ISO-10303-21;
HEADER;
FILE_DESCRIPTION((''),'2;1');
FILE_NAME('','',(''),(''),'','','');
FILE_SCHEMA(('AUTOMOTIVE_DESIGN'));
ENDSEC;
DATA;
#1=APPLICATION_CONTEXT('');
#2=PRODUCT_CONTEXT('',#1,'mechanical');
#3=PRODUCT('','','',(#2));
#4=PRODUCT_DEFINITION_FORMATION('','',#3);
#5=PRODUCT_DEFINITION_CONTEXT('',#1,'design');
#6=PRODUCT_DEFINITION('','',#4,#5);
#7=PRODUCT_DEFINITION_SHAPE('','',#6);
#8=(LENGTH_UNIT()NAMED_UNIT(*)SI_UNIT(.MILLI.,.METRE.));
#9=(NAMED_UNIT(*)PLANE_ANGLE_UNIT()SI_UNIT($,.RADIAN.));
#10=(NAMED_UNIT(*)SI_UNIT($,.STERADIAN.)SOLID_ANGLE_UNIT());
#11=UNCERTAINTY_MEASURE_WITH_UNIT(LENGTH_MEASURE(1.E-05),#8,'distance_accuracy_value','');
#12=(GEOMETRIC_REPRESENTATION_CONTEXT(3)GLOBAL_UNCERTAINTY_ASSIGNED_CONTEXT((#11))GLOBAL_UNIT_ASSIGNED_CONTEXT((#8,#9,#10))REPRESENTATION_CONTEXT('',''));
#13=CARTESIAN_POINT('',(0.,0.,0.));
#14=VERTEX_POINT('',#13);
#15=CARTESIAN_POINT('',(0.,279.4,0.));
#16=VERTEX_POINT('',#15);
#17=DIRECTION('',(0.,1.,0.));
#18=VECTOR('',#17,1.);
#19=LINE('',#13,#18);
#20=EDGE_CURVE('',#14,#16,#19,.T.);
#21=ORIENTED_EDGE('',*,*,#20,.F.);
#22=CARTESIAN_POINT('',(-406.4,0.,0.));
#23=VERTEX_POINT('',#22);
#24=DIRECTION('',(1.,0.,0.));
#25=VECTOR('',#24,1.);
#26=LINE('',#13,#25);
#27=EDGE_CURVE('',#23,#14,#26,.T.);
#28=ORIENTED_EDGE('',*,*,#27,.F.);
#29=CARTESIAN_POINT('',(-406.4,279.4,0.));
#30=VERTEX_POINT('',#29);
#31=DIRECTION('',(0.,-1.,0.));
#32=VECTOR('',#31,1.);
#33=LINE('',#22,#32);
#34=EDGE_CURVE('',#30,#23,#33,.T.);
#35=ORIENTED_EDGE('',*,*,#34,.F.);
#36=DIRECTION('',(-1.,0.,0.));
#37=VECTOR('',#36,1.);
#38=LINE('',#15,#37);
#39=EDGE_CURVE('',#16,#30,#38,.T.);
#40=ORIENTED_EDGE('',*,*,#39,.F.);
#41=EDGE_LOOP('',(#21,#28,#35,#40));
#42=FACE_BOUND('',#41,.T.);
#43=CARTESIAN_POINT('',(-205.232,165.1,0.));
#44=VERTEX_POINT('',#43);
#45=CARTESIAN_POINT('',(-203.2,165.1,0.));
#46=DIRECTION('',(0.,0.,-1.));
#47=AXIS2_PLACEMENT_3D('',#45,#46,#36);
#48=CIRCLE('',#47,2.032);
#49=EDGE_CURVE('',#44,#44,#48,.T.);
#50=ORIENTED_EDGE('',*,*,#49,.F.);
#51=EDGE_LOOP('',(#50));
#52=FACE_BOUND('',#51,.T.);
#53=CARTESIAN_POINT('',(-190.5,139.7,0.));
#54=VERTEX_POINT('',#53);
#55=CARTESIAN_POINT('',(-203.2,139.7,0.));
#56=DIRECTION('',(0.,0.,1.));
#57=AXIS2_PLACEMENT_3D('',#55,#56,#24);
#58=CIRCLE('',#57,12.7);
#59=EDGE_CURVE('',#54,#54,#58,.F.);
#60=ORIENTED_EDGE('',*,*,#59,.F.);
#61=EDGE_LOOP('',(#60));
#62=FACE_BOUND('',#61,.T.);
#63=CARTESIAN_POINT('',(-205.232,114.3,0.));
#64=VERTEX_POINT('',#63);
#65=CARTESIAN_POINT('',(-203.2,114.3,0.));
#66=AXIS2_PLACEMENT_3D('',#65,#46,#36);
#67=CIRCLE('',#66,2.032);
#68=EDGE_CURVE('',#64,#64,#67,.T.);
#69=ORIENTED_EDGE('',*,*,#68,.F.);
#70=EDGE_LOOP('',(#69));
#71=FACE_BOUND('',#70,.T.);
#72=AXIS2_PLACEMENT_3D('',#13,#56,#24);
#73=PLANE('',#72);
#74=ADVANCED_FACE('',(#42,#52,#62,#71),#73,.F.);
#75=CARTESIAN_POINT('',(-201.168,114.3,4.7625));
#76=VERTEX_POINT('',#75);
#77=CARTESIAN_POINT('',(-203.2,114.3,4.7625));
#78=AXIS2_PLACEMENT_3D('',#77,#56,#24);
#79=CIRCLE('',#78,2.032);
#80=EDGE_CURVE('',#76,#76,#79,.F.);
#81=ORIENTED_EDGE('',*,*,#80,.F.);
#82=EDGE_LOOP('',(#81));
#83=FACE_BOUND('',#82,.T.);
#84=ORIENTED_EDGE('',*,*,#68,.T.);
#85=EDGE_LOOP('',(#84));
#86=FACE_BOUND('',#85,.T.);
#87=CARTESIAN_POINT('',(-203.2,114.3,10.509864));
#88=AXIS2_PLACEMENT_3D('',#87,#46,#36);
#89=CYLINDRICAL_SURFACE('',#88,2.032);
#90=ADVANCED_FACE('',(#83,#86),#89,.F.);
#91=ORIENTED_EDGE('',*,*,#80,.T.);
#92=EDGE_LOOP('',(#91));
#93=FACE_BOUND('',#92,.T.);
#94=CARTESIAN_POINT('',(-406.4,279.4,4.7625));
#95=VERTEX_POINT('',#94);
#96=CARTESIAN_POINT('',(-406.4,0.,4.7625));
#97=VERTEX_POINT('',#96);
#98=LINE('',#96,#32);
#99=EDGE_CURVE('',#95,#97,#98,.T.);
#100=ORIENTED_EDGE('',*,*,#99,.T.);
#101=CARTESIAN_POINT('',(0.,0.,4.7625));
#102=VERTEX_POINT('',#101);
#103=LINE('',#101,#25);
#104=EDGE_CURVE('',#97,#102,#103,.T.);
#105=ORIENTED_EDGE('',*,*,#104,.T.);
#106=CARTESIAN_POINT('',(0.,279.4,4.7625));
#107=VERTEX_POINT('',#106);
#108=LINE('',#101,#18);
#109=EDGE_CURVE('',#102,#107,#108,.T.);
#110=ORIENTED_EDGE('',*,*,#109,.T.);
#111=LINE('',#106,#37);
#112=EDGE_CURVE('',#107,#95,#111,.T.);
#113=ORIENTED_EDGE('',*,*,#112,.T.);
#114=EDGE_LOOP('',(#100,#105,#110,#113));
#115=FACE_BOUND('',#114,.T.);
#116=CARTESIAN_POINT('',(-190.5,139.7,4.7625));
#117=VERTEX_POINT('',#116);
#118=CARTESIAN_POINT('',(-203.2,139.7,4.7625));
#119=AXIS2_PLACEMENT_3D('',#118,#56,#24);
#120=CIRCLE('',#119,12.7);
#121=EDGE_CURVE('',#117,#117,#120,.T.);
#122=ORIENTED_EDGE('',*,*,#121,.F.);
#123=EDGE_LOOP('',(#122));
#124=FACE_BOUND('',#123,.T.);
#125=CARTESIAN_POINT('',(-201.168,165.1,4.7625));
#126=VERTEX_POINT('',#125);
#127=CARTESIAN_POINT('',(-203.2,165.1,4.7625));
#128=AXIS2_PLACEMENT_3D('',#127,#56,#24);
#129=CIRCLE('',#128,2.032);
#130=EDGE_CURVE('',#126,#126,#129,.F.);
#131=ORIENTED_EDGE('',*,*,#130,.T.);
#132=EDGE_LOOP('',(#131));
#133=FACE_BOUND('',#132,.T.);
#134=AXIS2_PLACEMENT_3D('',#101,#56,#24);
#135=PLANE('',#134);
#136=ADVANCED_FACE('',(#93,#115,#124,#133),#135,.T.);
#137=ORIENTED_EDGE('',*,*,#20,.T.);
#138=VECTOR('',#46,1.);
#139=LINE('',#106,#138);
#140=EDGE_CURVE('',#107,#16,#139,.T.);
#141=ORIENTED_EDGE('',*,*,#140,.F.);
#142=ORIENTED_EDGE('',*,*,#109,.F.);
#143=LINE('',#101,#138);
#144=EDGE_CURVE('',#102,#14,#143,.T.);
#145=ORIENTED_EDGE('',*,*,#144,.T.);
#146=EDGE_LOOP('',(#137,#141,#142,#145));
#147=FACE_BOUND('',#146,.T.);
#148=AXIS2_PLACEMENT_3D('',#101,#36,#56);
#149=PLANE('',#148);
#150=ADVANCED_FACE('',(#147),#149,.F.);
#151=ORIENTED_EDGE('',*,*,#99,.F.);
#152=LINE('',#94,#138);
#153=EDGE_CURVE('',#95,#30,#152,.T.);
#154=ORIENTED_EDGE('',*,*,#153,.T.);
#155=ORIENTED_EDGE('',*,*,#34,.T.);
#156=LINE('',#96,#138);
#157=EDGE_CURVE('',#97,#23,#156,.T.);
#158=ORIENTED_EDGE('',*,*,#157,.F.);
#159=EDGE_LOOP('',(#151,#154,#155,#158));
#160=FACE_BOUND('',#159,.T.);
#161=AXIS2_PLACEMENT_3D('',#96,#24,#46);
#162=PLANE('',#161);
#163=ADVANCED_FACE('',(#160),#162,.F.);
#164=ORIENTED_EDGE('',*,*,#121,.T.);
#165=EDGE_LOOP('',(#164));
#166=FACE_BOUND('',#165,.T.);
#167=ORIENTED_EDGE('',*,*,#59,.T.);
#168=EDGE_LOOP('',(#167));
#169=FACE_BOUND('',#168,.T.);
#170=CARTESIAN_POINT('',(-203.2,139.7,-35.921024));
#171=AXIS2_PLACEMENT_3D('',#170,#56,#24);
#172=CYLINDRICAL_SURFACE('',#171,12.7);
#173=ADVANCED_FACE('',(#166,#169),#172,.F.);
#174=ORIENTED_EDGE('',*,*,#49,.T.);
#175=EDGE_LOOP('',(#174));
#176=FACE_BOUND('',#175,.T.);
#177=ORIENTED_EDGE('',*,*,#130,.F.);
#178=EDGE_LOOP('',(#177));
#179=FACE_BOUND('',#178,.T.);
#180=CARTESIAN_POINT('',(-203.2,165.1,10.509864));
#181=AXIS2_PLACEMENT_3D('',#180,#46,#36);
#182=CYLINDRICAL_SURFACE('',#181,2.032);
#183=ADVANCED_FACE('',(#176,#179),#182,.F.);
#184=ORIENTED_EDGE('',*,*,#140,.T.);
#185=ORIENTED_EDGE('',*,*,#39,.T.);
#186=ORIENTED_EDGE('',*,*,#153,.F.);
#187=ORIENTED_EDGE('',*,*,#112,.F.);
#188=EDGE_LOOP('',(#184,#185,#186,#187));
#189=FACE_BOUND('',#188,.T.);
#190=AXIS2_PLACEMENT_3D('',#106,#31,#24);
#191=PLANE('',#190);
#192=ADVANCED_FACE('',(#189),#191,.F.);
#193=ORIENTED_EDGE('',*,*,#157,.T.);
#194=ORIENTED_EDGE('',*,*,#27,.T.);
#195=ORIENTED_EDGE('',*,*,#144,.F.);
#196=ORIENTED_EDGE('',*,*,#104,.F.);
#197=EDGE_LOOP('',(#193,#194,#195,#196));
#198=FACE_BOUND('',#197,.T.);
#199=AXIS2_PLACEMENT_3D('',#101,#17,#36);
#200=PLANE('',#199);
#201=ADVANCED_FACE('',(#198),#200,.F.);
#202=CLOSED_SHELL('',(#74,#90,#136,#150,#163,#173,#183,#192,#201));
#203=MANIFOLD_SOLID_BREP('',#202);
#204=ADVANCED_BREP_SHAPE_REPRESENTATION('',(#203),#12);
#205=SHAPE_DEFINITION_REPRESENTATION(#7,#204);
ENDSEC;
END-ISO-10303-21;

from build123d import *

# Parameters (mm, degrees)
SKETCH1_W           = 406.4
SKETCH1_H           = 279.4
BOSS_EXTRUDE1_DEPTH = 4.7625
SKETCH2_R           = 12.7
CUT_EXTRUDE1_DEPTH  = 4.7625
SKETCH3_R           = 2.032
CUT_EXTRUDE2_DEPTH  = 4.7625


with BuildPart() as part:
    # Sketch1 → Boss-Extrude1 (new body)
    with BuildSketch(Plane.XY):
        with Locations((-203.2, 139.7)):
            Rectangle(SKETCH1_W, SKETCH1_H)
    extrude(amount=BOSS_EXTRUDE1_DEPTH)

    # Sketch2 → Cut-Extrude1 (cut)
    with BuildSketch(Plane.XY.offset(4.7625)):
        with Locations((-203.2, 139.7)):
            Circle(SKETCH2_R)
    extrude(amount=-CUT_EXTRUDE1_DEPTH, mode=Mode.SUBTRACT)

    # Sketch3 → Cut-Extrude2 (cut)
    with BuildSketch(Plane(origin=(0, 0, 0), x_dir=(-1, 0, 0), z_dir=(0, 0, -1))):
        with Locations((203.2, 114.3)):
            Circle(SKETCH3_R)
        with Locations((203.2, 165.1)):
            Circle(SKETCH3_R)
    extrude(amount=-CUT_EXTRUDE2_DEPTH, mode=Mode.SUBTRACT)


solid = part.part
